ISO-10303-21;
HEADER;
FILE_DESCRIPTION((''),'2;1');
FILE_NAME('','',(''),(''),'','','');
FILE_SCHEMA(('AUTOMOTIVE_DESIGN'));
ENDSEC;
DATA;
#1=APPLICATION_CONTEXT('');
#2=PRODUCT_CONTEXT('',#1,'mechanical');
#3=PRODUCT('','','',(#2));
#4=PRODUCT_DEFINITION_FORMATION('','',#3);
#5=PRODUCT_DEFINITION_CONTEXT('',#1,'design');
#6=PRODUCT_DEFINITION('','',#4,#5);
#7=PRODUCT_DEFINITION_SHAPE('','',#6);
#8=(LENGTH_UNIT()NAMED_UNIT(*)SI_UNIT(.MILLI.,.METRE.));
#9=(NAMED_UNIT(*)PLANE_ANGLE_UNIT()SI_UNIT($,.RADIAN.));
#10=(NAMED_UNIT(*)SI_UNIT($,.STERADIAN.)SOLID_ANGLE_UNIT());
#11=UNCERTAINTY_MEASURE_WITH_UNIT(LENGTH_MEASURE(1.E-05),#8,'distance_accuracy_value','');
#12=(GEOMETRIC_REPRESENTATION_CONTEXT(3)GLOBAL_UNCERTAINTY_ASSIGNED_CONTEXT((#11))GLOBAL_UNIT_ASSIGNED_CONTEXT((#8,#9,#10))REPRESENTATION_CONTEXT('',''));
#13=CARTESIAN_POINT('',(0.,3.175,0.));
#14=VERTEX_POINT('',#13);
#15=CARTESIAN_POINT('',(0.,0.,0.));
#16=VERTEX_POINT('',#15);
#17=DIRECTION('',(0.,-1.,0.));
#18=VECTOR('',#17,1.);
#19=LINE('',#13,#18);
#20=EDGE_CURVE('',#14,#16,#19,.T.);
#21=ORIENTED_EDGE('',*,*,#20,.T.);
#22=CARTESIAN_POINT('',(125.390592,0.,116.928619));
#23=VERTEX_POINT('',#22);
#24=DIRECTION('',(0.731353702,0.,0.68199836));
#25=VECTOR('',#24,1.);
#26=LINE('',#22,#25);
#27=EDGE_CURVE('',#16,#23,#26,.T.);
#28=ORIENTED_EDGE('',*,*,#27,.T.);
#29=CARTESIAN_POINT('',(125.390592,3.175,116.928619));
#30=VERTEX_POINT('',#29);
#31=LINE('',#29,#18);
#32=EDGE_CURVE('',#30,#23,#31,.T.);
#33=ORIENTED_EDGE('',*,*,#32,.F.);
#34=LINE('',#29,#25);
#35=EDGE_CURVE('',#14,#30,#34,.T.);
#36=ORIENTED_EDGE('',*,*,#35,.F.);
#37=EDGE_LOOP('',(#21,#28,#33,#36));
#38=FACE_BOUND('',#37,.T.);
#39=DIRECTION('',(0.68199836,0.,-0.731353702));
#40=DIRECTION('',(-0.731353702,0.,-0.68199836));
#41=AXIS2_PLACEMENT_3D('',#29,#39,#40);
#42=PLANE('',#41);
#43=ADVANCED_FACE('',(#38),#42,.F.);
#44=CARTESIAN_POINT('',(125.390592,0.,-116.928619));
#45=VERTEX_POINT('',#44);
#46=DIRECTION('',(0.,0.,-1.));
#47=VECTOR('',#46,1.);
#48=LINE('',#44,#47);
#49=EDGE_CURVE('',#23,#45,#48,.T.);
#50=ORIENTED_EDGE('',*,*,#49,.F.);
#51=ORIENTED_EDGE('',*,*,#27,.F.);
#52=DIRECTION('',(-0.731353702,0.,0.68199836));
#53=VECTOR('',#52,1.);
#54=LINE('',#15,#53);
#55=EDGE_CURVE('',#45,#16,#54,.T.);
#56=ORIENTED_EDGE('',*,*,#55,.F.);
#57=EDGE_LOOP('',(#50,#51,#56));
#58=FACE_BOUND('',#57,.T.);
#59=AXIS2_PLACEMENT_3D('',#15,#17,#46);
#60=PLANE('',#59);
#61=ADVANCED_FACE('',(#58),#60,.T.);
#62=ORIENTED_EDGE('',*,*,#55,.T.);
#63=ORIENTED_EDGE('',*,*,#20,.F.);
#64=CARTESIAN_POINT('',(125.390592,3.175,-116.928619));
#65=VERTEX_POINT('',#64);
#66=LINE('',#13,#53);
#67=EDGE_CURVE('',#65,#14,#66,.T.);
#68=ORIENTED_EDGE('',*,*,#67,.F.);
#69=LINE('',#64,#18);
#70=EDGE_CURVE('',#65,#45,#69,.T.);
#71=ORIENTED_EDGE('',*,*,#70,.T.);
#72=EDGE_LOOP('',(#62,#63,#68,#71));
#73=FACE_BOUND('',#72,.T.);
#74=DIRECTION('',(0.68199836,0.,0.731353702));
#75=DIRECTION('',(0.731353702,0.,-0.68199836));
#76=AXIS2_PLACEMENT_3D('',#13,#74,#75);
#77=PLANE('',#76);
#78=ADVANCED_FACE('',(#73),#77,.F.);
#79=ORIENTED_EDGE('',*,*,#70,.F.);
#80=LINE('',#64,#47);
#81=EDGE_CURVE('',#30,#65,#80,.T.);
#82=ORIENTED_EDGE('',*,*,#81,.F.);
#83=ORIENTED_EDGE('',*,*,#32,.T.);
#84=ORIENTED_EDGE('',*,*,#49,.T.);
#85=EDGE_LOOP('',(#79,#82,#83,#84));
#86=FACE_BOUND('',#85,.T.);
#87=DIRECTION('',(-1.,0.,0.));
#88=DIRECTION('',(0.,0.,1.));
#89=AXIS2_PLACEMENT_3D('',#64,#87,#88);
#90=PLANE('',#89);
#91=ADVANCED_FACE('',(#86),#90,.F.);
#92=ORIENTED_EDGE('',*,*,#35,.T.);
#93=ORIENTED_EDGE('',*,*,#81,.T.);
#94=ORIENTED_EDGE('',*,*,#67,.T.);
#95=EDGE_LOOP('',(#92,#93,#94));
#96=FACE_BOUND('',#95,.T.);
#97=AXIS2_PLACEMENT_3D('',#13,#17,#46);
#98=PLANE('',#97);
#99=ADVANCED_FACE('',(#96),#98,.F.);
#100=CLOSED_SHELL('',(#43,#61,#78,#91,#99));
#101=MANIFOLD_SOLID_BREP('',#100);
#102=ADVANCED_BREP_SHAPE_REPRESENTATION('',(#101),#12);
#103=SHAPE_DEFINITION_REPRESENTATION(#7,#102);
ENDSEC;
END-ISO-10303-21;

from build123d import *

# Parameters (mm, degrees)
BOSS_EXTRUDE1_DEPTH = 3.175


with BuildPart() as part:
    # Sketch1 → Boss-Extrude1 (new body)
    with BuildSketch(Plane(origin=(0, 0, 0), x_dir=(1, 0, 0), z_dir=(0, 1, 0))):
        Polygon((0, 0), (125.390592143, 116.928618833), (125.390592143, -116.928618833), align=None)
    extrude(amount=BOSS_EXTRUDE1_DEPTH)


solid = part.part
